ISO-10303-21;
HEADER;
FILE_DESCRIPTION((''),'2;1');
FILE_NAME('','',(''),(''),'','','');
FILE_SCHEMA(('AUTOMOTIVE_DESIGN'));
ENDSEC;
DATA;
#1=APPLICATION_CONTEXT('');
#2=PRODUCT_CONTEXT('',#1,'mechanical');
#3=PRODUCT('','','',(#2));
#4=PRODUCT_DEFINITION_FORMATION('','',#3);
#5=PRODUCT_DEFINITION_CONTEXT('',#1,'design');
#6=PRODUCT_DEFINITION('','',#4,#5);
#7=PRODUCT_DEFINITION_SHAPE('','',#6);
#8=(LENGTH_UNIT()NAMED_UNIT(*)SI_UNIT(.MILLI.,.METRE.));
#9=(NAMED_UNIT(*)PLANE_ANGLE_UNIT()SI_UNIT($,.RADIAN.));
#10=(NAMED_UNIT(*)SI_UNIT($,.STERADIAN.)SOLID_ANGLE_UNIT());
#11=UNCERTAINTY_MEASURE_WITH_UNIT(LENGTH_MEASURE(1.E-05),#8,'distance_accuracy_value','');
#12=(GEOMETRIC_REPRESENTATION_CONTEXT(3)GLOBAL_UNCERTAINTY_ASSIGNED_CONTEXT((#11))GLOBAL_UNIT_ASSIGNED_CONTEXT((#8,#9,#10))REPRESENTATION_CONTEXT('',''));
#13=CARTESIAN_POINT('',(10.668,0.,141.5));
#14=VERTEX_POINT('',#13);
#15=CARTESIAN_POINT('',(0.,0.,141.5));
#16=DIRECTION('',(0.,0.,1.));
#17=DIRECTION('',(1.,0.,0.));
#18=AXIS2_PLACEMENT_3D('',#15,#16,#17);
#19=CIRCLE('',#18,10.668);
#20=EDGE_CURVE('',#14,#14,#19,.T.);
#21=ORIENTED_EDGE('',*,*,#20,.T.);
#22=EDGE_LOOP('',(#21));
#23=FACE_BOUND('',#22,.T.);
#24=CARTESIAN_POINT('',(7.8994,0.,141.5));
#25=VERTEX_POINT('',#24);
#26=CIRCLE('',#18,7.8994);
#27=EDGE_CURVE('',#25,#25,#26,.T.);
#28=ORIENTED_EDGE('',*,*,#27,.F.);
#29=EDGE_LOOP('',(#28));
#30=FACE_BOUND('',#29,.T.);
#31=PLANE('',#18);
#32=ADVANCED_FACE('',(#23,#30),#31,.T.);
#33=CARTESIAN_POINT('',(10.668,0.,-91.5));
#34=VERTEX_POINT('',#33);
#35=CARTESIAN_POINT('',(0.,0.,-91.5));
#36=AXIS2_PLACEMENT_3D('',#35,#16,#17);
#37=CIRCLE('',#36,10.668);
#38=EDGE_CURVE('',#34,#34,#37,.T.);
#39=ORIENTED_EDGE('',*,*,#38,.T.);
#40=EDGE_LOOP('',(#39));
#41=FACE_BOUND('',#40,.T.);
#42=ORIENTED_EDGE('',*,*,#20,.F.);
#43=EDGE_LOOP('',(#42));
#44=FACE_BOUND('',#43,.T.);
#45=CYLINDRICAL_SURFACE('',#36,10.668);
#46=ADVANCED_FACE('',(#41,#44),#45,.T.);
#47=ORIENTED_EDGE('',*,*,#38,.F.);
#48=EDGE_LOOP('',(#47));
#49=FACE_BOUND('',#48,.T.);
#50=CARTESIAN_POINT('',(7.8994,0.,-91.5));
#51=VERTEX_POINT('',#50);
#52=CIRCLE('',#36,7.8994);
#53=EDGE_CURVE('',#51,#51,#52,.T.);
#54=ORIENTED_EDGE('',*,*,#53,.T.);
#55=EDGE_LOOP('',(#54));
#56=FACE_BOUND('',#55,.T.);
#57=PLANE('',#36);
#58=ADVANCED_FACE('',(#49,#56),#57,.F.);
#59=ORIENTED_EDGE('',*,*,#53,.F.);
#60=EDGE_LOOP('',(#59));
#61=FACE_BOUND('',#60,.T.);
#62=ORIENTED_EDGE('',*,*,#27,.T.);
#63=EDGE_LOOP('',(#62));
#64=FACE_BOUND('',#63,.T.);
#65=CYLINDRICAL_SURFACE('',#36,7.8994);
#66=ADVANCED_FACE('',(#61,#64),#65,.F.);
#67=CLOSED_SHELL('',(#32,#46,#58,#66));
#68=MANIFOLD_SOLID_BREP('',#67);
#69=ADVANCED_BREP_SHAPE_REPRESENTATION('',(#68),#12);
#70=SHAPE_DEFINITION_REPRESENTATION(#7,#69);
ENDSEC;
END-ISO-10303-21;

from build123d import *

# Parameters (mm, degrees)
SKETCH1_R                = 10.668
SKETCH1_R_2              = 7.8994
EXTRUDE_THIN1_DEPTH      = 141.5
EXTRUDE_THIN1_DEPTH_BACK = 91.5


with BuildPart() as part:
    # Sketch1 → Extrude-Thin1 (new body, two sides)
    with BuildSketch(Plane.XY) as extrude_thin1_sk:
        Circle(SKETCH1_R)
        Circle(SKETCH1_R_2, mode=Mode.SUBTRACT)
    extrude(amount=EXTRUDE_THIN1_DEPTH)
    extrude(extrude_thin1_sk.sketch, amount=-EXTRUDE_THIN1_DEPTH_BACK)


solid = part.part
